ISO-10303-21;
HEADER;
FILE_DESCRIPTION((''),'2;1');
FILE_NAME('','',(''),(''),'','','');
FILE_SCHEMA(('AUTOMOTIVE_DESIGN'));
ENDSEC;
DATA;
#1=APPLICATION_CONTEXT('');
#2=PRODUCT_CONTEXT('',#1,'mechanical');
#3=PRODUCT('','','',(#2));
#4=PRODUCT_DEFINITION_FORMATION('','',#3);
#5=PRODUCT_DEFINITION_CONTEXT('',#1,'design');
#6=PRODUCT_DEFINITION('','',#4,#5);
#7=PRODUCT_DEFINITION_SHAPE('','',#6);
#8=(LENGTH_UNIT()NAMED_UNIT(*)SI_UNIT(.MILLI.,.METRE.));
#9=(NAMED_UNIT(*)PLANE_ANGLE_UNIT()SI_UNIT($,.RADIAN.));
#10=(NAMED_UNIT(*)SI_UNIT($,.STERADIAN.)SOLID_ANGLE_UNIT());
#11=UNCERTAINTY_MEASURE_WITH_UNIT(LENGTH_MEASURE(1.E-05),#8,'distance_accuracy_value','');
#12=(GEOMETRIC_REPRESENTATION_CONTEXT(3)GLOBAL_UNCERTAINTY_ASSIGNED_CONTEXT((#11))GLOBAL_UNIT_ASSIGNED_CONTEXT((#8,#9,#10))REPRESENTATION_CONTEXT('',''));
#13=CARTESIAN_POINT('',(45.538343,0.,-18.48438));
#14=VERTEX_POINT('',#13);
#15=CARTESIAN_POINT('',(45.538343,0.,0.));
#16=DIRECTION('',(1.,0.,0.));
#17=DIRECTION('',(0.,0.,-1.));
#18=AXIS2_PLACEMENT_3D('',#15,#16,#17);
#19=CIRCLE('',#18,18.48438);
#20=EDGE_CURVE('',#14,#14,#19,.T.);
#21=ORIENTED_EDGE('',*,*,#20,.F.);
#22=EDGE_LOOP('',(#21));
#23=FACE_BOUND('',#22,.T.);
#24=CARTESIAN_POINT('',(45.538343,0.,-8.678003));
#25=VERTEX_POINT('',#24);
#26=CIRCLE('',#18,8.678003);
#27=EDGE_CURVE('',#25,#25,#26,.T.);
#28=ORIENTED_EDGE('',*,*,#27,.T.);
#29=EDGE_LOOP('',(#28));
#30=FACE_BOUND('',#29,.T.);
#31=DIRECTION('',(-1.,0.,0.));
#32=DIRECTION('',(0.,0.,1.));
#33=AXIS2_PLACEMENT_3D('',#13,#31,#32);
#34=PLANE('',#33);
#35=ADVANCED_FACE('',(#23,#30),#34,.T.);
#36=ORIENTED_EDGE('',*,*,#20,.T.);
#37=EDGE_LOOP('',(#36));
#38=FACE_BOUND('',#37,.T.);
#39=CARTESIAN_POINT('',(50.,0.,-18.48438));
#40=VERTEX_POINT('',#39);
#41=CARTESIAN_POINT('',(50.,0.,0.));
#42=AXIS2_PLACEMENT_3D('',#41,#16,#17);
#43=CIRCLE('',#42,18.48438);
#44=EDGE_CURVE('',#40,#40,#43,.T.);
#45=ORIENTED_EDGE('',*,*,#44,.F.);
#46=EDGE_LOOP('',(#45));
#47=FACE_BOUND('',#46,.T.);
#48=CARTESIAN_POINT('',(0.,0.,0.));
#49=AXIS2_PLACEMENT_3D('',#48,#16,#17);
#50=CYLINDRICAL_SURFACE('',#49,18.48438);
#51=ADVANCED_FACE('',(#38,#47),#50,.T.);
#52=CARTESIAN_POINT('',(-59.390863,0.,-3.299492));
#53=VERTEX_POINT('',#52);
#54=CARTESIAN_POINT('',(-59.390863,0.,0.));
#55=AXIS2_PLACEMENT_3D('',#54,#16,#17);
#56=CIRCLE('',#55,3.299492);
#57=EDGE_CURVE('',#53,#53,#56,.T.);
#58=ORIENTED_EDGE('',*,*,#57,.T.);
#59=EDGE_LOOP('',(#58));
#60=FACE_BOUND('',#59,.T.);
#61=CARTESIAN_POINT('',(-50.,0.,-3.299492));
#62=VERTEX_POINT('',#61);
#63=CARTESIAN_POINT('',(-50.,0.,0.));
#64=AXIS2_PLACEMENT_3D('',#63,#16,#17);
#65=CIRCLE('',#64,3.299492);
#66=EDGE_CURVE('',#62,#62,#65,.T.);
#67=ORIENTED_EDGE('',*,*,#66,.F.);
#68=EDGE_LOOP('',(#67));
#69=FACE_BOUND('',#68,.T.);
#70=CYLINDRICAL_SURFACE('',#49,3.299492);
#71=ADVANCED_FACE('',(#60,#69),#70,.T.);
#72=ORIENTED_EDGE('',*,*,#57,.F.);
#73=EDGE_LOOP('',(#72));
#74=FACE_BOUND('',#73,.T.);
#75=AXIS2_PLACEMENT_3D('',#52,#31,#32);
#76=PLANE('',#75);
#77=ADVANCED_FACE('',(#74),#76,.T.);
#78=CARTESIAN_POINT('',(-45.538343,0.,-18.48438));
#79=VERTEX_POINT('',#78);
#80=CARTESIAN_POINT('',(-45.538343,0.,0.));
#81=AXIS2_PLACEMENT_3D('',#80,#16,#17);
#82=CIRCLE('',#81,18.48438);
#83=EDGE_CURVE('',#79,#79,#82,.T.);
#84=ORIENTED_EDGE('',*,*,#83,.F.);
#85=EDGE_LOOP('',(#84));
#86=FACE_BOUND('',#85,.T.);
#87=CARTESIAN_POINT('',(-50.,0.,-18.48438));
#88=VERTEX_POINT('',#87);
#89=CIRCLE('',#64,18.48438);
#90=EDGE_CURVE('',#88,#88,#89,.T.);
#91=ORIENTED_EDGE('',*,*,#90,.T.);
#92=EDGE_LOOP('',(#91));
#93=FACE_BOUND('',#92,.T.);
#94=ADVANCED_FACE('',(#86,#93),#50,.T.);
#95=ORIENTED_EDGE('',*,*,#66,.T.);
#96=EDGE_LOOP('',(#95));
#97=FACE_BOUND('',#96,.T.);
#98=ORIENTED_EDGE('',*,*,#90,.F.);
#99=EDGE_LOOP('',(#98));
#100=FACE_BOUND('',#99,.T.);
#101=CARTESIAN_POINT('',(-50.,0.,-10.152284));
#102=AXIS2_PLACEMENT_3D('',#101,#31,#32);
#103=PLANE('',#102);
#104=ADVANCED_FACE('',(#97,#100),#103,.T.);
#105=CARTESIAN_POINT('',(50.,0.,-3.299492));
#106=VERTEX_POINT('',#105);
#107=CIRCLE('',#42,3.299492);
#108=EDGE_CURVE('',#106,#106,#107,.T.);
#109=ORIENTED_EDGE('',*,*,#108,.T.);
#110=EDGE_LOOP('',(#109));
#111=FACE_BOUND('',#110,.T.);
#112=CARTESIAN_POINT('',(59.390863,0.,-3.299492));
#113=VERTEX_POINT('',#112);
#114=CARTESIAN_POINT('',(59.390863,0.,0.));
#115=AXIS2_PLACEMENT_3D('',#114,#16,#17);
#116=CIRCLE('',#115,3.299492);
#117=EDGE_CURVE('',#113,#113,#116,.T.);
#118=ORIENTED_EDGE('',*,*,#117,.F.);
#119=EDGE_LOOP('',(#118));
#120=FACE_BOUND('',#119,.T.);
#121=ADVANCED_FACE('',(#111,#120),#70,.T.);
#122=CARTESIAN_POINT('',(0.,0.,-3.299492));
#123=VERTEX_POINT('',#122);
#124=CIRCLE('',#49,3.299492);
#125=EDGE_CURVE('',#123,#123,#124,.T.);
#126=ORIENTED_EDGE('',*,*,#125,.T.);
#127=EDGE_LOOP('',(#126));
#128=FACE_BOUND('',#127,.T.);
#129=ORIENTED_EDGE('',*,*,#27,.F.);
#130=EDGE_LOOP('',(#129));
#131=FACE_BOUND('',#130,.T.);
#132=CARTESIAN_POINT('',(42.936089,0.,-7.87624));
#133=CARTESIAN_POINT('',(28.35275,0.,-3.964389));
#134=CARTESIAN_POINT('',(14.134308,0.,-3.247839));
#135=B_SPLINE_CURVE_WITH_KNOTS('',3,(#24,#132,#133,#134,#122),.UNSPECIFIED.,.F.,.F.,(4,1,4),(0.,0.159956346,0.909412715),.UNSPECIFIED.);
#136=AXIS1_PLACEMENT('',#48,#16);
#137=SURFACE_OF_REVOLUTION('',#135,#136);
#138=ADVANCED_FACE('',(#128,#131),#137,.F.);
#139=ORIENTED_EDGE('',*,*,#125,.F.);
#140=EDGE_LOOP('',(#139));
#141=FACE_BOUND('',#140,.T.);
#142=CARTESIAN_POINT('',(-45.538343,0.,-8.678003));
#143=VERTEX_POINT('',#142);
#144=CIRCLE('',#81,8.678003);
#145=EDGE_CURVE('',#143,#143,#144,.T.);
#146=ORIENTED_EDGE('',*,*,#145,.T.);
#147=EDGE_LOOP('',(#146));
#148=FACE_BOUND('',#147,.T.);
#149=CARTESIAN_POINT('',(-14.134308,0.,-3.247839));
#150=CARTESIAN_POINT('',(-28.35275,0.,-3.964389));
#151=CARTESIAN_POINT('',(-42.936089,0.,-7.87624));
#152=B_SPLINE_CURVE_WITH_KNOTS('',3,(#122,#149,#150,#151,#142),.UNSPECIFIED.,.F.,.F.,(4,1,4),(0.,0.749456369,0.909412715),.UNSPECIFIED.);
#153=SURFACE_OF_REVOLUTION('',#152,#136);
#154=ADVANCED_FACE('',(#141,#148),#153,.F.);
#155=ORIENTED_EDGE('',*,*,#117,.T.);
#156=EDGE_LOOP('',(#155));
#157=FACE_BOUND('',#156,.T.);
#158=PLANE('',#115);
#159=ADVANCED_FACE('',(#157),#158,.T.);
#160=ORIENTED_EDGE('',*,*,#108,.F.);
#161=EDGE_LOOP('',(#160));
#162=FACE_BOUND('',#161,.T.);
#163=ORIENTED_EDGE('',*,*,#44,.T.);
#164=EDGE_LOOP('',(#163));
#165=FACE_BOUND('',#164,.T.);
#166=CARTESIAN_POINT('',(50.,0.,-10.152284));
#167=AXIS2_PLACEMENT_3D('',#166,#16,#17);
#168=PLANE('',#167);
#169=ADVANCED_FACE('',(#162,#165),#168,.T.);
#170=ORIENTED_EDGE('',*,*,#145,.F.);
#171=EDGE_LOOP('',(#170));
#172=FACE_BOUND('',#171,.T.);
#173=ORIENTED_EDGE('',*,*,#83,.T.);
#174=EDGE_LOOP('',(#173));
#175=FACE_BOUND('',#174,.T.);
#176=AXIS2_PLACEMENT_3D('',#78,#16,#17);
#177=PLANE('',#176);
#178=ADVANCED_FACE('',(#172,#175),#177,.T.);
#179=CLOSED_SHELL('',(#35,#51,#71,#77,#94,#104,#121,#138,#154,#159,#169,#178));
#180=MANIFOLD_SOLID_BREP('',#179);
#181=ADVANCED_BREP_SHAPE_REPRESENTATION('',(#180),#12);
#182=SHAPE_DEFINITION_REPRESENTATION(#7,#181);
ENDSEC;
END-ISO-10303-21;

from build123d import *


with BuildPart() as part:
    # Sketch1 → Revolve1 (revolve)
    with BuildSketch(Plane(origin=(0, 0, 0), x_dir=(1, 0, 0), z_dir=(0, 1, 0))):
        with BuildLine():
            Line((-50, 10.152284264), (-50, 3.299492386))
            Line((-50, 3.299492386), (-59.390862944, 3.299492386))
            Line((-59.390862944, 3.299492386), (-59.390862944, 0))
            Line((-59.390862944, 0), (59.390862944, 0))
            Line((59.390862944, 0), (59.390862944, 3.299492386))
            Line((59.390862944, 3.299492386), (50, 3.299492386))
            Line((50, 3.299492386), (50, 10.152284264))
            Line((50, 10.152284264), (50, 18.484379762))
            Line((50, 18.484379762), (45.53834268, 18.484379762))
            Line((45.53834268, 18.484379762), (45.53834268, 8.678003166))
            add(Edge.make_bspline(
                [(0, 3.299492386), (14.134308112, 3.247838543), (28.352749593, 3.964388507), (42.936088831, 7.876240038), (45.53834268, 8.678003166)],
                knots=[0, 0, 0, 0, 0.749456369, 0.909412715, 0.909412715, 0.909412715, 0.909412715], degree=3))
            add(Edge.make_bspline(
                [(0, 3.299492386), (-14.134308112, 3.247838543), (-28.352749592, 3.964388507), (-42.936088831, 7.876240038), (-45.53834268, 8.678003166)],
                knots=[0, 0, 0, 0, 0.749456369, 0.909412715, 0.909412715, 0.909412715, 0.909412715], degree=3))
            Line((-45.53834268, 8.678003166), (-45.53834268, 18.484379762))
            Line((-45.53834268, 18.484379762), (-50, 18.484379762))
            Line((-50, 18.484379762), (-50, 10.152284264))
        make_face()
    revolve(axis=Axis((0, 0, 0), (-1, 0, 0)))


solid = part.part
